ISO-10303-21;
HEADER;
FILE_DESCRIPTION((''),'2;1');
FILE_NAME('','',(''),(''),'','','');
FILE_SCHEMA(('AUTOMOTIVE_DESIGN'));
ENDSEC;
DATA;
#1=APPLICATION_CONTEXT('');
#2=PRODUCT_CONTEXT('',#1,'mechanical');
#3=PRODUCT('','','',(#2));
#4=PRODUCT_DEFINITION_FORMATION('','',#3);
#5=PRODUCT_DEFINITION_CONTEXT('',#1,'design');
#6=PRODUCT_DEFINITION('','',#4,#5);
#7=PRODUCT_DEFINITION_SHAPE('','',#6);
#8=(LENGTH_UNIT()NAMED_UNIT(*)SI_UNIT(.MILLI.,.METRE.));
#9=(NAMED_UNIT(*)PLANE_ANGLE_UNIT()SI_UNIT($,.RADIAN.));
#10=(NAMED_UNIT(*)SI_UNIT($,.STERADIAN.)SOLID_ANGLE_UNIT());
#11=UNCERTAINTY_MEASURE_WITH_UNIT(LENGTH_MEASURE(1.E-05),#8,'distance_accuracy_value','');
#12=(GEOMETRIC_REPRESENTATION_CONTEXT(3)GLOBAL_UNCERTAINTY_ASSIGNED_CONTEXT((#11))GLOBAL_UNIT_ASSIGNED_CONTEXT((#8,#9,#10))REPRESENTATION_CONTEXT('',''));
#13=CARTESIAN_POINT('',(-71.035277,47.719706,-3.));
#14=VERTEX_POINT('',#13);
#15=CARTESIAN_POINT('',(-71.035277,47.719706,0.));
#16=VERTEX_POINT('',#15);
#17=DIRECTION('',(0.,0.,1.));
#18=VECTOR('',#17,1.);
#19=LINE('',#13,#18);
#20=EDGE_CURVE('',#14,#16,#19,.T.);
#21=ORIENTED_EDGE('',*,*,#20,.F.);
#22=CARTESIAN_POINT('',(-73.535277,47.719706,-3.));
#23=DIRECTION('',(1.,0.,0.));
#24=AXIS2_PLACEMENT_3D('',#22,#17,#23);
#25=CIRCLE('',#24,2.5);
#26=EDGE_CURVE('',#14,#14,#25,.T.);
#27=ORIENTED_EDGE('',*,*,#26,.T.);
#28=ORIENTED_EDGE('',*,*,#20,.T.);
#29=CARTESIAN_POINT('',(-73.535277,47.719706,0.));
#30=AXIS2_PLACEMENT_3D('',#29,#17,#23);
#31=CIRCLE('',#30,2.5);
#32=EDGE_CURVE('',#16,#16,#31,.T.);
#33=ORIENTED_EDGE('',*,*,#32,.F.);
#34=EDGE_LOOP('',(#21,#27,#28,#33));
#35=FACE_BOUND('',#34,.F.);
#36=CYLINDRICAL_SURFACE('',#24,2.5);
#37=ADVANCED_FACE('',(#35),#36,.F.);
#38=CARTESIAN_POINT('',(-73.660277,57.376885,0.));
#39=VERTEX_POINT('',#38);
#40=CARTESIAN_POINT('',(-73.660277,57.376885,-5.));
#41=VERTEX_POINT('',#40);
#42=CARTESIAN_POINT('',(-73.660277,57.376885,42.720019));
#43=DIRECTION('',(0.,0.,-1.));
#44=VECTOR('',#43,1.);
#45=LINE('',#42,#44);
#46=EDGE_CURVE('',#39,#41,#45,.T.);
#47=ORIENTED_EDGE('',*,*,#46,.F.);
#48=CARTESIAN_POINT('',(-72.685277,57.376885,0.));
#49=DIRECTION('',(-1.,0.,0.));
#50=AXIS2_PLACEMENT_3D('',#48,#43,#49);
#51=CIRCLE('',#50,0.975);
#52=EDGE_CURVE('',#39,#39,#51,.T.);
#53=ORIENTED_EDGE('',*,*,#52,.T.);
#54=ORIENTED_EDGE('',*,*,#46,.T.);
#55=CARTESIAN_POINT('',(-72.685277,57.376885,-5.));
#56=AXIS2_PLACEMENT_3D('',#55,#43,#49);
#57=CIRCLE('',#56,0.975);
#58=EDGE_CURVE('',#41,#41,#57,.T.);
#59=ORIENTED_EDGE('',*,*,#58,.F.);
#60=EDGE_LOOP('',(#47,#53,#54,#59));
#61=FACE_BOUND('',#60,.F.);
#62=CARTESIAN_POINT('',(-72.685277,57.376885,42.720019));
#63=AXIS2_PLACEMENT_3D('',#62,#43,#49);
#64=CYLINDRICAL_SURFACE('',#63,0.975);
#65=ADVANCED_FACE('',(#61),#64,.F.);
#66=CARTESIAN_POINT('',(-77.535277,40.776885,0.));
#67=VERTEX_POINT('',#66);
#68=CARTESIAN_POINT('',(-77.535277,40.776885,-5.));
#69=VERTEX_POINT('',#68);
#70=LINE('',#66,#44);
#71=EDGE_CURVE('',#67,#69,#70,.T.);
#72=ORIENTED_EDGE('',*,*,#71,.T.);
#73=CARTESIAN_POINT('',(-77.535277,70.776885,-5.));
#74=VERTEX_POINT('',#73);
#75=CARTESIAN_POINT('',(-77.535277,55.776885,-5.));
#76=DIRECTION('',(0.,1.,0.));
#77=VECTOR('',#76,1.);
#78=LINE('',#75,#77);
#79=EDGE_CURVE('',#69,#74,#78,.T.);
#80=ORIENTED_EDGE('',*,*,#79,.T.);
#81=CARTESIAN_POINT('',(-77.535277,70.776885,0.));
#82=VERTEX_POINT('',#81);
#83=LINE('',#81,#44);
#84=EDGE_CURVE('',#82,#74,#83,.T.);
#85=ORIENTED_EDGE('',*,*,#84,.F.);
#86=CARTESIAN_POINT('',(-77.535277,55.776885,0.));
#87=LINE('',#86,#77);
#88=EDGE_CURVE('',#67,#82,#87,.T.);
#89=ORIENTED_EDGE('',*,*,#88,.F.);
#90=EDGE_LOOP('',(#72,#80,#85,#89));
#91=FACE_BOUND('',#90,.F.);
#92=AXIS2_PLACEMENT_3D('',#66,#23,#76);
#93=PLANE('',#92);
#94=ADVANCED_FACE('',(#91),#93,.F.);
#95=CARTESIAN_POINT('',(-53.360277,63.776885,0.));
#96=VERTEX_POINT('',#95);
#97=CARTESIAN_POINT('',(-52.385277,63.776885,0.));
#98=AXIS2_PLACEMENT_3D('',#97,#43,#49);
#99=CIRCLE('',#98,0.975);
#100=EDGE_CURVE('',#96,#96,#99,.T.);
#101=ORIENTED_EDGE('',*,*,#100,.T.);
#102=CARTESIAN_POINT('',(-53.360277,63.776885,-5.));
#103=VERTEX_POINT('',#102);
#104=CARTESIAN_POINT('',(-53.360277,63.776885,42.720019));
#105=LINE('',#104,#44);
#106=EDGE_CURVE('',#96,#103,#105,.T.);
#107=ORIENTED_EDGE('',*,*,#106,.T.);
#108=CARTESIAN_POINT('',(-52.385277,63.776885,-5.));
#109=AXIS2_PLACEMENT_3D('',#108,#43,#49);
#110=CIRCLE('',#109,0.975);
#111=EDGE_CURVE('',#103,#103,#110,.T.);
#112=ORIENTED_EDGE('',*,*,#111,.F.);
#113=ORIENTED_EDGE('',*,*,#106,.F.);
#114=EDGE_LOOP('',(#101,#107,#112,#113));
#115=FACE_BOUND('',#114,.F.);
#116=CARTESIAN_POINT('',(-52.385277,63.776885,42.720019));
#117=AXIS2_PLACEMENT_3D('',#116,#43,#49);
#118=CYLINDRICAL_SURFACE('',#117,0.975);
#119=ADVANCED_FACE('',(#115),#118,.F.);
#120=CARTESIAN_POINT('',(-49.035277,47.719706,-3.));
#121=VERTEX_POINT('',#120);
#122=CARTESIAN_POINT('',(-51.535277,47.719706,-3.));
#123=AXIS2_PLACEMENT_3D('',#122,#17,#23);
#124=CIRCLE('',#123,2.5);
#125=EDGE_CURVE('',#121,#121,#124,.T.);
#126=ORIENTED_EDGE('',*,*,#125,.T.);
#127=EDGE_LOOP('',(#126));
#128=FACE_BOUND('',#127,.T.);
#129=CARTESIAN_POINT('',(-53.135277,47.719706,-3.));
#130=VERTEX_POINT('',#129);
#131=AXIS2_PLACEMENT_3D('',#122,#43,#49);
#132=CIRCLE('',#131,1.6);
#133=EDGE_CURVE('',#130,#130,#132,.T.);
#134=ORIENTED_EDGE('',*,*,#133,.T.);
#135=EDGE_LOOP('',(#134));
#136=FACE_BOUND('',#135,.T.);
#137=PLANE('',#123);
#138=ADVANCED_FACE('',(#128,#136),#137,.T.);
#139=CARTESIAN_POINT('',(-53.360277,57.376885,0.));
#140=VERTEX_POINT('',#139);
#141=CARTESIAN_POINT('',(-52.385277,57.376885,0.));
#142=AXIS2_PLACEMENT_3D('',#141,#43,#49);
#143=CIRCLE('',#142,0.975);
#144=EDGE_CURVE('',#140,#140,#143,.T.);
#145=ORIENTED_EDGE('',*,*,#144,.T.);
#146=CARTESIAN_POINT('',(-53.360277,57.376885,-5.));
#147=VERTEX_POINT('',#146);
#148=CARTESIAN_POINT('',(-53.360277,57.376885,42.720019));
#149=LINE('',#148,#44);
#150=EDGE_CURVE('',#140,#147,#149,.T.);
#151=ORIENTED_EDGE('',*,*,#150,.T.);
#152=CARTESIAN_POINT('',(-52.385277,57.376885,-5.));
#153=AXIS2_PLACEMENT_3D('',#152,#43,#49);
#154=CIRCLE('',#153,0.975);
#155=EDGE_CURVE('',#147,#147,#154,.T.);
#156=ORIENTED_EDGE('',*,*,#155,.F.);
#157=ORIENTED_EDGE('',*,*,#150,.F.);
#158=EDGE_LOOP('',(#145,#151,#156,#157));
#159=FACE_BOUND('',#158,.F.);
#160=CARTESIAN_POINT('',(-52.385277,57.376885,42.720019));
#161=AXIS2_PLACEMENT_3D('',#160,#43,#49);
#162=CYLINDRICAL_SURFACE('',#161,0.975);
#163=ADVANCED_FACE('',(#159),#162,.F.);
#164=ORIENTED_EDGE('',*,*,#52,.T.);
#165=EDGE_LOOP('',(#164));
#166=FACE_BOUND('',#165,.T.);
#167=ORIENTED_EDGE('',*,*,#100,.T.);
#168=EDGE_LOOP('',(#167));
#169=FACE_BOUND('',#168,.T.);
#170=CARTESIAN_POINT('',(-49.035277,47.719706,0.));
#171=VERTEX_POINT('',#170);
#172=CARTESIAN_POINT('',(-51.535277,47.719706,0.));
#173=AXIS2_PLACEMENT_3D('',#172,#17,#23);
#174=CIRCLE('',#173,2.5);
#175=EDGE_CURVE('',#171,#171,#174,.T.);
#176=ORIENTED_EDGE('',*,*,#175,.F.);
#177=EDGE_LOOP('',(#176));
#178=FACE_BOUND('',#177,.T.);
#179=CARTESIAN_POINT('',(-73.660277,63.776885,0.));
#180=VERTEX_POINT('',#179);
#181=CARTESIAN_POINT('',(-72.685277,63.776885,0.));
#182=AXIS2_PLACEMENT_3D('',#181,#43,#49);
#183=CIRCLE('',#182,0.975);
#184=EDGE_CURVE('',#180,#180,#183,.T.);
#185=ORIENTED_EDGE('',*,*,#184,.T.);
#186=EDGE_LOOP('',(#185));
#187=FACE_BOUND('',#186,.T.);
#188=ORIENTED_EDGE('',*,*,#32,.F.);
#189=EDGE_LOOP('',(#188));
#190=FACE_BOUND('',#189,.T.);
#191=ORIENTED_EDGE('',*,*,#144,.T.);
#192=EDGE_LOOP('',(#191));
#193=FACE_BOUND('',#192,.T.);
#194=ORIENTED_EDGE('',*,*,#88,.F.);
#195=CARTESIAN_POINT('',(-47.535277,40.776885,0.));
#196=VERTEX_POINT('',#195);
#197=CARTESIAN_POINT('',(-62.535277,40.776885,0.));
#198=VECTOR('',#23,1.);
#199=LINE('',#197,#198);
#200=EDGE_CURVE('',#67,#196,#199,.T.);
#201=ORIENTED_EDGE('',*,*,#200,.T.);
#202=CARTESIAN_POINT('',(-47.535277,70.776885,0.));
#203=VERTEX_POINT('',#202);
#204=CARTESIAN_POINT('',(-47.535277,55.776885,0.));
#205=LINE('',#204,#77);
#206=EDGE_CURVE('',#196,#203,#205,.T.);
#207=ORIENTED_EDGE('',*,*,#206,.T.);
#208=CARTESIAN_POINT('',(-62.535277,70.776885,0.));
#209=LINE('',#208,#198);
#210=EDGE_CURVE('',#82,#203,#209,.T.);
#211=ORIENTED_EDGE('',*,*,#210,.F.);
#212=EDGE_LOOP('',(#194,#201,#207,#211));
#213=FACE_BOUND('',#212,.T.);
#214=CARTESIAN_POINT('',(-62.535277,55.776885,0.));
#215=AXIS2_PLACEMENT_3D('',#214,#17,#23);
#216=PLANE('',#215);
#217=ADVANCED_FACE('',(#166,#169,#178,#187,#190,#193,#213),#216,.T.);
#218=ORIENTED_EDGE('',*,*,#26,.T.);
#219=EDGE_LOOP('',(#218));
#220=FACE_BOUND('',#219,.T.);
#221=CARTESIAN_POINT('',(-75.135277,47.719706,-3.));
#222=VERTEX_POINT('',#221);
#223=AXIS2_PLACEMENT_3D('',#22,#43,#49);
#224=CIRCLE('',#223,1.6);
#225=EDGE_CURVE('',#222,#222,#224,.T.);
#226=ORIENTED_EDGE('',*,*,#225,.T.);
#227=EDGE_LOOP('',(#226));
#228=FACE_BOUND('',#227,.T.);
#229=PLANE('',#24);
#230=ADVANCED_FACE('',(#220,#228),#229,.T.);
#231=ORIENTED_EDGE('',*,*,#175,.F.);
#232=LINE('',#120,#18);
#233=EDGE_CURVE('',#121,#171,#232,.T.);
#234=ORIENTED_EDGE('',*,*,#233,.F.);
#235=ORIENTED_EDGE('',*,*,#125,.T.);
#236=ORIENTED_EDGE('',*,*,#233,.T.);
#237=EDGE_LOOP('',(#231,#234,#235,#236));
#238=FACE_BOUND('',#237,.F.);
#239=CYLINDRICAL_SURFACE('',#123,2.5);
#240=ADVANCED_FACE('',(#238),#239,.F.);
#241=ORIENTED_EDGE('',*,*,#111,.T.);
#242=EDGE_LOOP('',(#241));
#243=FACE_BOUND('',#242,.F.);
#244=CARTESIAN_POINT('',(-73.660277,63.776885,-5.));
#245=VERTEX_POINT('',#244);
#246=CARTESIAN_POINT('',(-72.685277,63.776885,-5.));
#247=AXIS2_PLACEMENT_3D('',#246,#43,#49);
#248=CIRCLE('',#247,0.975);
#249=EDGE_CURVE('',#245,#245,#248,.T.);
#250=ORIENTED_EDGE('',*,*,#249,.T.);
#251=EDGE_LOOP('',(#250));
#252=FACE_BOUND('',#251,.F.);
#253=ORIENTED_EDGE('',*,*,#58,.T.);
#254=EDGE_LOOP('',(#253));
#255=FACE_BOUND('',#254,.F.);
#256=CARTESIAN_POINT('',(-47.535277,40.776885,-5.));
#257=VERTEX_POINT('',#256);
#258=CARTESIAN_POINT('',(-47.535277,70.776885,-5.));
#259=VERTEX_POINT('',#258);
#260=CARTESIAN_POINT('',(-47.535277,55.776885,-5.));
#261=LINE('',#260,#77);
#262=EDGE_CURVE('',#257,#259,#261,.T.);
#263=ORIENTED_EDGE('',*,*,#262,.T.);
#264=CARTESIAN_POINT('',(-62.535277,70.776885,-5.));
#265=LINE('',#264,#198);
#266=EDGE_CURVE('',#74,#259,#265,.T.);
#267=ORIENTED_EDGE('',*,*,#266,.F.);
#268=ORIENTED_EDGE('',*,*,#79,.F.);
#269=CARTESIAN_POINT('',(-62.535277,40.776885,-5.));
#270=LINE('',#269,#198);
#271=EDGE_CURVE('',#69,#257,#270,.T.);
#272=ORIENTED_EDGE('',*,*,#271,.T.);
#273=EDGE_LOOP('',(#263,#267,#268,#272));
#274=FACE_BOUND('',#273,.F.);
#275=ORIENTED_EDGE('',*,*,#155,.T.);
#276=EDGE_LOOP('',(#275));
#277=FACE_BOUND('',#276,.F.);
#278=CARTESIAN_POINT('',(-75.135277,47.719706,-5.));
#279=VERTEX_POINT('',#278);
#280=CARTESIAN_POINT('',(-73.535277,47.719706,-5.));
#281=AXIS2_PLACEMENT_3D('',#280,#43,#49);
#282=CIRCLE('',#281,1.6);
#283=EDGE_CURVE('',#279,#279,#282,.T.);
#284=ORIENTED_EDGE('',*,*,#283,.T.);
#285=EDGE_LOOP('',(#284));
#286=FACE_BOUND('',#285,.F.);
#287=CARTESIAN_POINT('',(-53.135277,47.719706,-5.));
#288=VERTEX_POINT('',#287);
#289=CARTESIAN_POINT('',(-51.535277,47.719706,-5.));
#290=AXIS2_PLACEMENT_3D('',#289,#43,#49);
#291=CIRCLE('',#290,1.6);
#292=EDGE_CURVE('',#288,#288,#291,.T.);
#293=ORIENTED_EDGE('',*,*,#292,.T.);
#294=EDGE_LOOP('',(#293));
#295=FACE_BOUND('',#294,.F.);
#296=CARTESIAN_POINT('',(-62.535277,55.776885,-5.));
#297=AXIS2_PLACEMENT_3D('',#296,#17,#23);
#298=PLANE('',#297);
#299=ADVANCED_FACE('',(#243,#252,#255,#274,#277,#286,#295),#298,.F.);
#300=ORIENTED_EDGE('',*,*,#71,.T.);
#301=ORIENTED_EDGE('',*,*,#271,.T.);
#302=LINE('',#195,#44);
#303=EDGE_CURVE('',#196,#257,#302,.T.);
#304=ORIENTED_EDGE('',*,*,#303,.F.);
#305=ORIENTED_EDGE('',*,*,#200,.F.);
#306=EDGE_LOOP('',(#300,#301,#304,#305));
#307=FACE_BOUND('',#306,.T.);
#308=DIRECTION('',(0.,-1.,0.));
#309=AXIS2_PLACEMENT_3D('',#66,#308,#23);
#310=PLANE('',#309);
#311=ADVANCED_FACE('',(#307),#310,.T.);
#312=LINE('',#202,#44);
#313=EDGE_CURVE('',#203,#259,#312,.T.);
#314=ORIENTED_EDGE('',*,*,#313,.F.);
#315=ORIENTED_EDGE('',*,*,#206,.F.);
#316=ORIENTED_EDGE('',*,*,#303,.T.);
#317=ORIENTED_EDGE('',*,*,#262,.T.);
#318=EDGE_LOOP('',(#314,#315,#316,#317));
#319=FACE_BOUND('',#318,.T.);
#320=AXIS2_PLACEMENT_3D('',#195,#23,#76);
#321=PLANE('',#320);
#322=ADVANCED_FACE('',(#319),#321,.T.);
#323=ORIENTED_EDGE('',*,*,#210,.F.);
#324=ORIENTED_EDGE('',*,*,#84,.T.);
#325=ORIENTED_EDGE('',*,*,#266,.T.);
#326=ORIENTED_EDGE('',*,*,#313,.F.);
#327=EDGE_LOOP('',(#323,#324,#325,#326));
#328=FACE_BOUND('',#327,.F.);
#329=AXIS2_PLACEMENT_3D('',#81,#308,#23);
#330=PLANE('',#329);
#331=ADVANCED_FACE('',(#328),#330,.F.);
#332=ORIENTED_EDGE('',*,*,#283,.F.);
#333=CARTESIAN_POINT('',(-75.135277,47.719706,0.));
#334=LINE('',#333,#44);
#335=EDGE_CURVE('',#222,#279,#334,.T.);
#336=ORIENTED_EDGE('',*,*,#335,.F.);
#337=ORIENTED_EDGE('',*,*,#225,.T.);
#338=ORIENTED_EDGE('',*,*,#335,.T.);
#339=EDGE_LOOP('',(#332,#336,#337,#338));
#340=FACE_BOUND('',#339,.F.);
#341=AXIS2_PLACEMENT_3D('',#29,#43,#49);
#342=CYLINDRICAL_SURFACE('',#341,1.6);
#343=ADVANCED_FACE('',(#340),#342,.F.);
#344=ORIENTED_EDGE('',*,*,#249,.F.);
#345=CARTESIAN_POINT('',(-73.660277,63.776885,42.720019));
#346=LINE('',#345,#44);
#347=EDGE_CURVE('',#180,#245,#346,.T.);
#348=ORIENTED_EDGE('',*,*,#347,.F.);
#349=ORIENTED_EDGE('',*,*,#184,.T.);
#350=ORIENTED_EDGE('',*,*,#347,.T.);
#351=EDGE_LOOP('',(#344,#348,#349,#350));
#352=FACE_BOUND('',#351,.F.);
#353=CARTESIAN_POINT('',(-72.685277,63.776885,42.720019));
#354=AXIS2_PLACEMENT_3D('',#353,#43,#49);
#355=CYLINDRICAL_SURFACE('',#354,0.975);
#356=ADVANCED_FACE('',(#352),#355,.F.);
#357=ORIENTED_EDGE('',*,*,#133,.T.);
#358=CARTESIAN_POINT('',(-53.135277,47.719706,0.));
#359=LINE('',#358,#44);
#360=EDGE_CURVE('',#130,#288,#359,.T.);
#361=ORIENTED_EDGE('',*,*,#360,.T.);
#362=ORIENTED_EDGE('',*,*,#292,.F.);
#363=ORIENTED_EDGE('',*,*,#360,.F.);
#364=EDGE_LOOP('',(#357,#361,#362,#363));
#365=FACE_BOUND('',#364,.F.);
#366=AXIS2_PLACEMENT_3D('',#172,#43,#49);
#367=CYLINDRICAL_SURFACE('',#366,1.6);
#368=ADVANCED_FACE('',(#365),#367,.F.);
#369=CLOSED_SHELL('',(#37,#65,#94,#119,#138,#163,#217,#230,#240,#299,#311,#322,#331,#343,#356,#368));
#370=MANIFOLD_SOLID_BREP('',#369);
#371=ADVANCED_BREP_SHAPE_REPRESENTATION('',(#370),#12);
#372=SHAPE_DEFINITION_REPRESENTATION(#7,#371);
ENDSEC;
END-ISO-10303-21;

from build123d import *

# Parameters (mm, degrees)
F0_W           = 30
F0_H           = 30
F1_DEPTH       = 5
F3_D           = 3.2
F3_CBORE_D     = 5
F3_CBORE_DEPTH = 3
F4_D           = 1.95


with BuildPart() as f1:
    # F0 (on Top) → F1 (new body)
    with BuildSketch(Plane.XY):
        with Locations((-62.535277, 55.776885)):
            Rectangle(F0_W, F0_H)
    extrude(amount=-F1_DEPTH)

    # F3 (through all)
    with Locations(Plane.XY):
        with Locations((-73.535277, 47.719706), (-51.535277, 47.719706)):
            CounterBoreHole(F3_D / 2, F3_CBORE_D / 2, F3_CBORE_DEPTH)

    # F4 (through all)
    with Locations(Plane.XY):
        with Locations((-52.385277, 57.376885), (-52.385277, 63.776885), (-72.685277, 57.376885), (-72.685277, 63.776885)):
            Hole(F4_D / 2)


solid = f1.part
